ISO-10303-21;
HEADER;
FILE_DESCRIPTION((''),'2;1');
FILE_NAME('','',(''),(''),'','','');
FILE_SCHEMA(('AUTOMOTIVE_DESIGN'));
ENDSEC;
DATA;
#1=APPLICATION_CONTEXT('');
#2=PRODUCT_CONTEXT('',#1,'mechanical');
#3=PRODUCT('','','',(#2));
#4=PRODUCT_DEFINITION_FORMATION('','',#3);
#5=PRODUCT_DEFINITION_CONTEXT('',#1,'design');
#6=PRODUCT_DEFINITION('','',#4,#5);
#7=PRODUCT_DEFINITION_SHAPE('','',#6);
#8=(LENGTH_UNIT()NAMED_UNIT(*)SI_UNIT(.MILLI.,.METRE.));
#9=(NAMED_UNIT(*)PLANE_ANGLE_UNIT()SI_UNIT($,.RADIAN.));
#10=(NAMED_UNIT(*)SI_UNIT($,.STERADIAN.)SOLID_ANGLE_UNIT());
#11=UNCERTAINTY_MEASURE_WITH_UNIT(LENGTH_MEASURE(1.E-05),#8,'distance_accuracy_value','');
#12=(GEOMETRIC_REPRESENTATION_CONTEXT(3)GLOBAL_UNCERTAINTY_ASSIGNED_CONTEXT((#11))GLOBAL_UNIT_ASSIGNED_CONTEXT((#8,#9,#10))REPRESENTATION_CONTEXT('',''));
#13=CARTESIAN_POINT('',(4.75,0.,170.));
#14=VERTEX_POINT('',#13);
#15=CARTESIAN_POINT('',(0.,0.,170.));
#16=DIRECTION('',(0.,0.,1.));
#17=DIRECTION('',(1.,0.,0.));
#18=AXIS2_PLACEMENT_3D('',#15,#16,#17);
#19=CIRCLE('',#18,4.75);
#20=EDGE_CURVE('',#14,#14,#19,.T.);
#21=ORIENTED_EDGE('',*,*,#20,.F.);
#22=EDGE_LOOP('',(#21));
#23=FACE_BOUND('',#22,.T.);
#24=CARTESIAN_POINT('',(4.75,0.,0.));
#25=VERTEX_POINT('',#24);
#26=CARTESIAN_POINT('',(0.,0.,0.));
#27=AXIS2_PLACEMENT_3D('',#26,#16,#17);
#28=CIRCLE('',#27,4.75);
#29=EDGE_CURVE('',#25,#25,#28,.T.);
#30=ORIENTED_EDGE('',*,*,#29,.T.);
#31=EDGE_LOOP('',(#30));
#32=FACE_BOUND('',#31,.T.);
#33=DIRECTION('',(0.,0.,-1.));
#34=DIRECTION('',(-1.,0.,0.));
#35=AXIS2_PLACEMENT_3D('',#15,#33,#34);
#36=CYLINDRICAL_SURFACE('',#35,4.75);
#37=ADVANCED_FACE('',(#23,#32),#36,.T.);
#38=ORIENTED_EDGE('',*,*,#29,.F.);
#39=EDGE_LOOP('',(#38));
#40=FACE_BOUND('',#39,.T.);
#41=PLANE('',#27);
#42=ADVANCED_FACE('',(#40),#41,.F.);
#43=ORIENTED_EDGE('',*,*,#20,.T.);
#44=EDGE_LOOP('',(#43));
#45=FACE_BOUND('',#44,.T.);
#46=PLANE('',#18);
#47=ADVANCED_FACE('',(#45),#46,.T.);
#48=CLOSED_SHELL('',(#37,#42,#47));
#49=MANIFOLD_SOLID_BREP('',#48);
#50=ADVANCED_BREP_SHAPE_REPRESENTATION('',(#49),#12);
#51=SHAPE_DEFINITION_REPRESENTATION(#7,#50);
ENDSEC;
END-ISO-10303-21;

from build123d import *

# Parameters (mm, degrees)
SKETCH1_R           = 4.75
BOSS_EXTRUDE1_DEPTH = 170


with BuildPart() as part:
    # Sketch1 → Boss-Extrude1 (new body)
    with BuildSketch(Plane.XY):
        Circle(SKETCH1_R)
    extrude(amount=BOSS_EXTRUDE1_DEPTH)


solid = part.part
